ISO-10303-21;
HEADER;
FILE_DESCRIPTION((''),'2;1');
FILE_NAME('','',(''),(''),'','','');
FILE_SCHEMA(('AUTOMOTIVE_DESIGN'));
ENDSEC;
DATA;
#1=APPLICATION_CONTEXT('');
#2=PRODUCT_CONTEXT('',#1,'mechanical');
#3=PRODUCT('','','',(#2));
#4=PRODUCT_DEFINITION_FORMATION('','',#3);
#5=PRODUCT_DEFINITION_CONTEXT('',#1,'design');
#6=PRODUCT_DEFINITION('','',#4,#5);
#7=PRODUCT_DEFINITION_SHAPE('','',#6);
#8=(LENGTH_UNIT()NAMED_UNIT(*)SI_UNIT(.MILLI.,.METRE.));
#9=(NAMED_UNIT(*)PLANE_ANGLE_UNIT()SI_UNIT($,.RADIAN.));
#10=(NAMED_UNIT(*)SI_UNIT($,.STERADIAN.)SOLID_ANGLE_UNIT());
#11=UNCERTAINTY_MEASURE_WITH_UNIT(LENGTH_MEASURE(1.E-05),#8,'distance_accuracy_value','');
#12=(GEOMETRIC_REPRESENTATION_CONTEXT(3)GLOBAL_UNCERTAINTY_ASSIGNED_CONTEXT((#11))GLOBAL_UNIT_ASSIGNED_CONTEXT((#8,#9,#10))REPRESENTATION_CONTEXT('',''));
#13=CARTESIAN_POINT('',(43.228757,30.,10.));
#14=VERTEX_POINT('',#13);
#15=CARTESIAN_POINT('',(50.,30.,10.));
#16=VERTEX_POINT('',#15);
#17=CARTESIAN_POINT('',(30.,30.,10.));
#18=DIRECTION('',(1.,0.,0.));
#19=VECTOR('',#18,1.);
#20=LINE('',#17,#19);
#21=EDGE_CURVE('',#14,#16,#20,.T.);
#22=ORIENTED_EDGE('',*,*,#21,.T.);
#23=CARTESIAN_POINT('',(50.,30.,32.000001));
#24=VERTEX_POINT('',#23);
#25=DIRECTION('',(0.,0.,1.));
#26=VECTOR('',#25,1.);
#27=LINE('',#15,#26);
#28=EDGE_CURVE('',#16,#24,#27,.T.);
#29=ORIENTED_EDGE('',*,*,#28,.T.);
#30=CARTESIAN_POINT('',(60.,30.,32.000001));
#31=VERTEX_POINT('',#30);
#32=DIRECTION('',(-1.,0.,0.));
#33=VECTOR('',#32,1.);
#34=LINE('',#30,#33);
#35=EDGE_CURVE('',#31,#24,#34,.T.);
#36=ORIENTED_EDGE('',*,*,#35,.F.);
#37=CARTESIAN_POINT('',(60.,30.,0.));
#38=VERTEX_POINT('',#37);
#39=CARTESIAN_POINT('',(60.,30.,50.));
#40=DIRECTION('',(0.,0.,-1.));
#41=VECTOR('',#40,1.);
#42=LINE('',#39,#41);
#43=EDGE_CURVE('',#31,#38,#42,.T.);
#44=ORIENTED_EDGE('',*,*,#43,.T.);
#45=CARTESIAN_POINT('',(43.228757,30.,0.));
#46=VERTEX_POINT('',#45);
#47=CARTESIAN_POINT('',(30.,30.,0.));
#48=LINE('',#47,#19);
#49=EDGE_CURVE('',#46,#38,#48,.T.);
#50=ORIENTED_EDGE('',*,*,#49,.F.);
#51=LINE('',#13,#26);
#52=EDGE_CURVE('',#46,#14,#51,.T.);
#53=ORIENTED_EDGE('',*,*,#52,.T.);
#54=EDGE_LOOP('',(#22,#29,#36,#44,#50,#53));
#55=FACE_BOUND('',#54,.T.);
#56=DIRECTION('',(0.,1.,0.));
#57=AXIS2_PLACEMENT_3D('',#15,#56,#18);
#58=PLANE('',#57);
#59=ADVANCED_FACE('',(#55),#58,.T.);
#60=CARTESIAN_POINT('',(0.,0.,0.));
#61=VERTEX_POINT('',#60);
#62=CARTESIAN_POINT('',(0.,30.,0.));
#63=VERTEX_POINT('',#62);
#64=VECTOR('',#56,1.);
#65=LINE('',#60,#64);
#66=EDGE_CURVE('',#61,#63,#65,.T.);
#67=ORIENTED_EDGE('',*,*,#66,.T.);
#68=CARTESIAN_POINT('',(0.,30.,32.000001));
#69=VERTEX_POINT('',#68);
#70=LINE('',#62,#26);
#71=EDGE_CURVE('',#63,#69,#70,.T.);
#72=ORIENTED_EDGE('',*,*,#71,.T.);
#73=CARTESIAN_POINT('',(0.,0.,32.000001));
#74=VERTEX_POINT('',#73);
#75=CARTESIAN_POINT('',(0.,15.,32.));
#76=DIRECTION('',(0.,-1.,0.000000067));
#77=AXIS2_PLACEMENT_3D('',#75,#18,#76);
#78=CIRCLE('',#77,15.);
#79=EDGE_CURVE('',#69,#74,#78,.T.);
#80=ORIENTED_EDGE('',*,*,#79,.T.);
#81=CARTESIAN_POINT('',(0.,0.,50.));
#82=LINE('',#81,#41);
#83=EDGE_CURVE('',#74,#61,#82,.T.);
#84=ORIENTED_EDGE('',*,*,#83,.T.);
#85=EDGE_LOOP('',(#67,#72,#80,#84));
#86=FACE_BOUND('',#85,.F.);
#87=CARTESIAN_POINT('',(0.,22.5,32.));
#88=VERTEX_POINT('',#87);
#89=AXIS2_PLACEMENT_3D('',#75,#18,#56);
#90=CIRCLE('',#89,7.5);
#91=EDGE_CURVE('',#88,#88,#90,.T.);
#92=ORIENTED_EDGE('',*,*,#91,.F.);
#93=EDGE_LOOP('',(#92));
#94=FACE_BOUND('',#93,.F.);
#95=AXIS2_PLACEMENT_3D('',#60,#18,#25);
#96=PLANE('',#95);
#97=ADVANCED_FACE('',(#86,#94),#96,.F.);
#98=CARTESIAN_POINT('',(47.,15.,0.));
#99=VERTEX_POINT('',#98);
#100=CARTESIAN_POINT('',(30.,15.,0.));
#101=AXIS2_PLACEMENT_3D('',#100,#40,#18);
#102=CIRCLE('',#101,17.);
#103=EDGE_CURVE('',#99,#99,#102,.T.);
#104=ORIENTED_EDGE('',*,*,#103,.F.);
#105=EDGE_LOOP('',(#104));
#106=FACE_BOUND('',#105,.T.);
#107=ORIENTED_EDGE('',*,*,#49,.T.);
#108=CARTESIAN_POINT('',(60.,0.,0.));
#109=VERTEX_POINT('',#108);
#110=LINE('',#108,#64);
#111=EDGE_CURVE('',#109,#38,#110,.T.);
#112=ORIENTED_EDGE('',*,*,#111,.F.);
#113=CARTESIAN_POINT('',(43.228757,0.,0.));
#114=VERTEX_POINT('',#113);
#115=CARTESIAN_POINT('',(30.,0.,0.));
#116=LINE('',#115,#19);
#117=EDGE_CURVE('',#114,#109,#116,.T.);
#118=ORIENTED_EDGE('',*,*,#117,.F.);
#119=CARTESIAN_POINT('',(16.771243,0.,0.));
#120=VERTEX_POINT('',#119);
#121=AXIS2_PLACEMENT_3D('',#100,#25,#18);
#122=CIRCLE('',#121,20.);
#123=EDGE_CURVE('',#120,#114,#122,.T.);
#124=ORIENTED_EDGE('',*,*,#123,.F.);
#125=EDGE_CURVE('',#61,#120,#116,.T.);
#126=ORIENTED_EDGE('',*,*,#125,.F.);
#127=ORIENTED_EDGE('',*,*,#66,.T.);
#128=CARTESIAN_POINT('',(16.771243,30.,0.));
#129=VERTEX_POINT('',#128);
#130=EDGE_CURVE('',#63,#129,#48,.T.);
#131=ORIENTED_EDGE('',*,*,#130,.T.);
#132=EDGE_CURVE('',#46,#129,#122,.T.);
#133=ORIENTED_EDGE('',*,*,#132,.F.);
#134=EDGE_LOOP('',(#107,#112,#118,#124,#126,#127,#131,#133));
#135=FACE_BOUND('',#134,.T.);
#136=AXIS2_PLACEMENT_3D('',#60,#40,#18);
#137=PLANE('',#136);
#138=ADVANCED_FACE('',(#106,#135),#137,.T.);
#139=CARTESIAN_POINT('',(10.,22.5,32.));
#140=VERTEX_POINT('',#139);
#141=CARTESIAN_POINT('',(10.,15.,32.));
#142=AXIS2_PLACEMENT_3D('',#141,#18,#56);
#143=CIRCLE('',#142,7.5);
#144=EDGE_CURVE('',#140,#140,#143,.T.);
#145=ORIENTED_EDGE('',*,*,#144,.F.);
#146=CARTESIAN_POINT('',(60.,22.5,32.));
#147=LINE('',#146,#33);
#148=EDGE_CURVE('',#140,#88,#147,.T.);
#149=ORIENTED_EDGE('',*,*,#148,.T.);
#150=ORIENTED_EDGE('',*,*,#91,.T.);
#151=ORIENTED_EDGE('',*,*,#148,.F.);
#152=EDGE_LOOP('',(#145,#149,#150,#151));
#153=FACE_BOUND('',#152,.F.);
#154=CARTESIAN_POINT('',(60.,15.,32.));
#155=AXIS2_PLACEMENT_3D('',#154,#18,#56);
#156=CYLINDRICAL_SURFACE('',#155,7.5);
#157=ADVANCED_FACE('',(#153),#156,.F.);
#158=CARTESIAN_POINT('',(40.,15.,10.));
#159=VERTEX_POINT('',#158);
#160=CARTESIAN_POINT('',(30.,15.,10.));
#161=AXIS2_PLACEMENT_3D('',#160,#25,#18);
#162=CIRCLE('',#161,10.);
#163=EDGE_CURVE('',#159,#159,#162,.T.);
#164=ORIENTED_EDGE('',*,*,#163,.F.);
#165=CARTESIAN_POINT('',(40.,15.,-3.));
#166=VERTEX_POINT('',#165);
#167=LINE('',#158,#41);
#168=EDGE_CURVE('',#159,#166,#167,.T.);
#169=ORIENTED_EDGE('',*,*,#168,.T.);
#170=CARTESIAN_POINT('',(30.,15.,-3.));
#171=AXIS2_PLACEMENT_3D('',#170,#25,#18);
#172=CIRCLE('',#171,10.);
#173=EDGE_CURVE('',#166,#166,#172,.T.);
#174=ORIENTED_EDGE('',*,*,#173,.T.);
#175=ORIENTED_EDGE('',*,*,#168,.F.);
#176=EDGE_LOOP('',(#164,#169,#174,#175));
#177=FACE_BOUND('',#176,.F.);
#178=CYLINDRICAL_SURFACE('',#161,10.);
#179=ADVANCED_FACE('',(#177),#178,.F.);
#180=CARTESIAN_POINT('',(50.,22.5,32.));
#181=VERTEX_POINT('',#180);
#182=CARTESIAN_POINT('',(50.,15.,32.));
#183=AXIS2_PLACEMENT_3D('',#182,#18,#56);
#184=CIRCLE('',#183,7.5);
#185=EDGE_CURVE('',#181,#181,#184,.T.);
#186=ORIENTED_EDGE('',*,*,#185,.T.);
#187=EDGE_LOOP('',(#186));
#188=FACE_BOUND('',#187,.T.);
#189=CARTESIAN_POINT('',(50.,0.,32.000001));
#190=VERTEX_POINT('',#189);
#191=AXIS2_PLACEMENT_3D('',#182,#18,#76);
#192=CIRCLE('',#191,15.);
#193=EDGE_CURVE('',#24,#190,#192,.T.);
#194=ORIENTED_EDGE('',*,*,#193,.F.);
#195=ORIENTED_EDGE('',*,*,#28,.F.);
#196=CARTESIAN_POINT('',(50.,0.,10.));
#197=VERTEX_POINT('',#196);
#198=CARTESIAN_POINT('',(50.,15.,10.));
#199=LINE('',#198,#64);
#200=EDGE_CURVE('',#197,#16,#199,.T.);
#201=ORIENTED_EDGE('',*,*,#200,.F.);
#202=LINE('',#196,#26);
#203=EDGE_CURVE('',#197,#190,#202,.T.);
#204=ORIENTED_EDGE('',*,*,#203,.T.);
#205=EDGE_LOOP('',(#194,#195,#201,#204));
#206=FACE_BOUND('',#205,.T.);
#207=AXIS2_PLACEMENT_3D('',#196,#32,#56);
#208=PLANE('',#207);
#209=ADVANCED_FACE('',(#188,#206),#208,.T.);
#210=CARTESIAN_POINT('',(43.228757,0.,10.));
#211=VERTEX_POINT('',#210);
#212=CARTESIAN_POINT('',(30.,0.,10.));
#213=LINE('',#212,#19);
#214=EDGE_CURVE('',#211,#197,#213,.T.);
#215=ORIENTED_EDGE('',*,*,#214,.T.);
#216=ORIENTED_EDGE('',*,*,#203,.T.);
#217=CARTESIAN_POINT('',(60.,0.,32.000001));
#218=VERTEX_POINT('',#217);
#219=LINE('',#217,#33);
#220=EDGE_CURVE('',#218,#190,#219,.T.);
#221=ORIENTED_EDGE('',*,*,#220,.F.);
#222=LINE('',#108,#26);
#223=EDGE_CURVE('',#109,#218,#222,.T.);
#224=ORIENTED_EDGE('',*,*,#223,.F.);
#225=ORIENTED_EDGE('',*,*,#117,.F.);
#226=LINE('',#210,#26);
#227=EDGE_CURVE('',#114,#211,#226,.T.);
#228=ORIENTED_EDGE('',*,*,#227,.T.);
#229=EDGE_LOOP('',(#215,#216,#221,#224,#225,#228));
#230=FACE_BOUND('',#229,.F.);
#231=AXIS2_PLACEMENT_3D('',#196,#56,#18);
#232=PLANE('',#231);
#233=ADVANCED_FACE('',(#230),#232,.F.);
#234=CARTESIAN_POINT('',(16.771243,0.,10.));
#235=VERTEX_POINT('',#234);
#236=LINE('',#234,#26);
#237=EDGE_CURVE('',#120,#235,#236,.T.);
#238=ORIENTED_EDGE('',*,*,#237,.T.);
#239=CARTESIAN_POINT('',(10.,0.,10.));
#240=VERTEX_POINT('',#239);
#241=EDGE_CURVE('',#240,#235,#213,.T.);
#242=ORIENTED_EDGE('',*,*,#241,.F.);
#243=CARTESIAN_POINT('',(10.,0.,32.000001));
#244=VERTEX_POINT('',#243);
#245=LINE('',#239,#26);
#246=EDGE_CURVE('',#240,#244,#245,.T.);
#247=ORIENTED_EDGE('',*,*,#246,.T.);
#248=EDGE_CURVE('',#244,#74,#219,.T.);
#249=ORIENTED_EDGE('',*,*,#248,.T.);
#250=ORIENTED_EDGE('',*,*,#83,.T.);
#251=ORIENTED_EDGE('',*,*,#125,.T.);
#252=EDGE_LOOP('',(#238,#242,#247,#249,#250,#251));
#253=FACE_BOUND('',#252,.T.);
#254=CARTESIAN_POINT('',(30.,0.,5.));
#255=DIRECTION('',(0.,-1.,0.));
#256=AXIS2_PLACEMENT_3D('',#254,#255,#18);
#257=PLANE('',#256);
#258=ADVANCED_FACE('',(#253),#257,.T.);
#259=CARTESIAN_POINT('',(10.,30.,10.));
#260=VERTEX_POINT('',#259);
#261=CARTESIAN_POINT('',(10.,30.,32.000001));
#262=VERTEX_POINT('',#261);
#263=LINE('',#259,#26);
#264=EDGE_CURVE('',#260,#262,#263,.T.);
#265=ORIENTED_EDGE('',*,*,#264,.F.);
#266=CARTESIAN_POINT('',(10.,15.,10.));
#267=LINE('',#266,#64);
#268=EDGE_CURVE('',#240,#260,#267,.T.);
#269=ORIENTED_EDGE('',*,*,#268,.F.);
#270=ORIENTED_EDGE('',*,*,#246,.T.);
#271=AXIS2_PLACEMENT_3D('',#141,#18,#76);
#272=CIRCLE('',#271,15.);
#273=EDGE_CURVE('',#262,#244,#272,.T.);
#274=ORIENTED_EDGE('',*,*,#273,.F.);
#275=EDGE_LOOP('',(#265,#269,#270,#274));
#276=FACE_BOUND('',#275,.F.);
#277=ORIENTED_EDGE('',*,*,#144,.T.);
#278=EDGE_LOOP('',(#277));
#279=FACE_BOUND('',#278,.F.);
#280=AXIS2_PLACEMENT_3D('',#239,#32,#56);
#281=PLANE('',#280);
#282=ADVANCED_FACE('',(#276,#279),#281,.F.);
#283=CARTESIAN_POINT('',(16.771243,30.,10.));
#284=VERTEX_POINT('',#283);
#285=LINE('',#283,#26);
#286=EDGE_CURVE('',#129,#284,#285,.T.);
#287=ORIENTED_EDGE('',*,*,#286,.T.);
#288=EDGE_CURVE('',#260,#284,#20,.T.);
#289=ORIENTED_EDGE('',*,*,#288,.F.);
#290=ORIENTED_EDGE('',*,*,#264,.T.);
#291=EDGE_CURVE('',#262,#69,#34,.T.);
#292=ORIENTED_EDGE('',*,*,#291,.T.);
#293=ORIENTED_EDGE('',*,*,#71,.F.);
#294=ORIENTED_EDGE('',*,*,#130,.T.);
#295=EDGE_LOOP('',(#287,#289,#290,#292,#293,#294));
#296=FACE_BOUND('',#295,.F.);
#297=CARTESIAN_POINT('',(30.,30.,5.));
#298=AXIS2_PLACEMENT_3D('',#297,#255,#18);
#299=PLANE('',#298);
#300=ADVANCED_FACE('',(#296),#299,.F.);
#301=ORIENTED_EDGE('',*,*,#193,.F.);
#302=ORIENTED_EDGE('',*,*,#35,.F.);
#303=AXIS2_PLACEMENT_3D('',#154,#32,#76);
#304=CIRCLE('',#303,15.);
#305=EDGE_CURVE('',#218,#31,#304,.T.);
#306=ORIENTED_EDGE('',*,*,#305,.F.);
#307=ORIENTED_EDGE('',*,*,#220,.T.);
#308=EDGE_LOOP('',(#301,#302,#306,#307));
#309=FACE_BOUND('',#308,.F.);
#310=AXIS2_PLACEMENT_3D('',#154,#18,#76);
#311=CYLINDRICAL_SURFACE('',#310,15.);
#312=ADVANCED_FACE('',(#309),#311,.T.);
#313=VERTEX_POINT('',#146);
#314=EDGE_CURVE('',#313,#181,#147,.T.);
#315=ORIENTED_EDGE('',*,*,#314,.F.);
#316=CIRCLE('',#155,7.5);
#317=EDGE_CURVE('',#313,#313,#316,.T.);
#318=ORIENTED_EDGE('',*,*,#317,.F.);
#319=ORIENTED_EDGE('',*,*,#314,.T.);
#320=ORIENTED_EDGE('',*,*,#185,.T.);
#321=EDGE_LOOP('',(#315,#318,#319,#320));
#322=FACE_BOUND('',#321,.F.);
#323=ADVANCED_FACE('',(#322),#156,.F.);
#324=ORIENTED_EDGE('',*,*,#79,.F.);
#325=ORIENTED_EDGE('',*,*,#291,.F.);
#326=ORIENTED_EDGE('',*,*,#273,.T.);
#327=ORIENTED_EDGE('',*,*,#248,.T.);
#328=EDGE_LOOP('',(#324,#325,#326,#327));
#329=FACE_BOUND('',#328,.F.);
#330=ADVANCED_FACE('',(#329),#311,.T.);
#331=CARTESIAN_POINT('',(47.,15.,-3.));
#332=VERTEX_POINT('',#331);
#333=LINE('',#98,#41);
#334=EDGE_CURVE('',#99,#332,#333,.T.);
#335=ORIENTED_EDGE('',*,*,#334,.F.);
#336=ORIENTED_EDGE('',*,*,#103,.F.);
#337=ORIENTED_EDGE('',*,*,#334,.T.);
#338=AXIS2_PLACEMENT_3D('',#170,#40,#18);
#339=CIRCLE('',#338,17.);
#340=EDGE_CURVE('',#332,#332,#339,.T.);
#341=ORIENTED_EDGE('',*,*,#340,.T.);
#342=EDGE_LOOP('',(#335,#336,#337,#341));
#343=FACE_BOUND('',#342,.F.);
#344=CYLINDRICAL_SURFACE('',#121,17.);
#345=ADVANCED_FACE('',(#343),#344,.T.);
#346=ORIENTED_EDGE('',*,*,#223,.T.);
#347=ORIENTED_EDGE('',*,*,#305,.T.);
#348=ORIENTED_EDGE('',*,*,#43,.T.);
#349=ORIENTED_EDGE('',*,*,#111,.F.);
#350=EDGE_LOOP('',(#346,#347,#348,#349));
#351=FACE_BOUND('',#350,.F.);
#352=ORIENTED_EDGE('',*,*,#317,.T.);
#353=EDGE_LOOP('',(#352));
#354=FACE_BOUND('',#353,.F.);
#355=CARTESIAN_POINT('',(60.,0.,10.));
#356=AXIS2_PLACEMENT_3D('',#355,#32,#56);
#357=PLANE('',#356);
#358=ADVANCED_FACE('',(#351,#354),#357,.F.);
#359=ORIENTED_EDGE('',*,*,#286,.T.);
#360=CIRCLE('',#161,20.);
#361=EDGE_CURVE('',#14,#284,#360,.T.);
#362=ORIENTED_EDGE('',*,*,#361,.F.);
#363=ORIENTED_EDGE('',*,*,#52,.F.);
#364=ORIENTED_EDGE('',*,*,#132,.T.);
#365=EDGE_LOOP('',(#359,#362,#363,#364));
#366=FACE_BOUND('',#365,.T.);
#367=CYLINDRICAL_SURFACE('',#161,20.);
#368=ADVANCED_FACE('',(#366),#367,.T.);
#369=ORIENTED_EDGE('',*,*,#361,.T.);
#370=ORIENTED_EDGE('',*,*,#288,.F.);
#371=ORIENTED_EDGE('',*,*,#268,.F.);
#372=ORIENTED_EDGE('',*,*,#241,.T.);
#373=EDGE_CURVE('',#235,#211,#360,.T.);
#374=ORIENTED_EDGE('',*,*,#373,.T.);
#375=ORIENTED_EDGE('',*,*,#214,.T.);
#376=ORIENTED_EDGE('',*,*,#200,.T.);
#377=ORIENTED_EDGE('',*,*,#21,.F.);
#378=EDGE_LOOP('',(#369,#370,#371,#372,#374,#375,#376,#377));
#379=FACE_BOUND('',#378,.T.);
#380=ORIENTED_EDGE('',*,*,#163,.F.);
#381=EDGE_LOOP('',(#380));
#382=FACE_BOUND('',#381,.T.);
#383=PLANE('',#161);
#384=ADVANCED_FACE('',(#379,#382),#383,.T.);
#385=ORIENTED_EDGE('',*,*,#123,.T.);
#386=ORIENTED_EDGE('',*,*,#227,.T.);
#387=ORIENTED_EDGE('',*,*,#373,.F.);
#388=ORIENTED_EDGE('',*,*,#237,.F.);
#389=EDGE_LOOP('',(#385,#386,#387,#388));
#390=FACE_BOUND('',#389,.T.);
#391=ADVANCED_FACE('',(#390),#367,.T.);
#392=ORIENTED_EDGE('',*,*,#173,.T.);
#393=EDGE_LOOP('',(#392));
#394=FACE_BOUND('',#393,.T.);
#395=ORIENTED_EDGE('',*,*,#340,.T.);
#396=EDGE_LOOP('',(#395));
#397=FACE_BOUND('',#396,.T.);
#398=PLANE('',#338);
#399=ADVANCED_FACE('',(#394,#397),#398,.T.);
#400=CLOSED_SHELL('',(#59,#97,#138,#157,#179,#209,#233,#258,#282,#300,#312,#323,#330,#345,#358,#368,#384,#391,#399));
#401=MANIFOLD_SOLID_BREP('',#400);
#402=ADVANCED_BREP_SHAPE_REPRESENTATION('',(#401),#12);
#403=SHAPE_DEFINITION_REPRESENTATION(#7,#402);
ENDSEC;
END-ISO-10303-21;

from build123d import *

# Parameters (mm, degrees)
F0_W      = 60
F0_H      = 10
F1_DEPTH  = 30
F2_R      = 20
F3_DEPTH  = 10
F4_R      = 17
F5_DEPTH  = 3
F6_W      = 10
F6_H      = 30
F7_DEPTH  = 40
F8_R      = 7.5
F9_DEPTH  = 60.001
F11_DEPTH = 60.001
F12_R     = 10
F13_DEPTH = 13.001


with BuildPart() as f1:
    # F0 (on Front) → F1 (new body)
    with BuildSketch(Plane.XZ):
        with Locations((30, 5)):
            Rectangle(F0_W, F0_H)
    extrude(amount=-F1_DEPTH)

    # F2 (on face) → F3 (join)
    with BuildSketch(Plane.XY.offset(10)):
        with Locations((30, 15)):
            Circle(F2_R)
    extrude(amount=-F3_DEPTH)

    # F4 (on face) → F5 (join)
    with BuildSketch(Plane(origin=(0, 0, 0), x_dir=(1, 0, 0), z_dir=(0, 0, -1))):
        with Locations((30, -15)):
            Circle(F4_R)
    extrude(amount=F5_DEPTH)

    # F6 (on face) → F7 (join)
    with BuildSketch(Plane.XY.offset(10)):
        with Locations((55, 15)):
            Rectangle(F6_W, F6_H)
        with Locations((5, 15)):
            Rectangle(F6_W, F6_H)
    extrude(amount=F7_DEPTH)

    # F8 (on face) → F9 (cut, through all)
    with BuildSketch(Plane.YZ.offset(60)):
        with Locations((15, 32)):
            Circle(F8_R)
    extrude(amount=-F9_DEPTH, mode=Mode.SUBTRACT)

    # F10 (on face) → F11 (cut, through all)
    with BuildSketch(Plane.YZ.offset(60)):
        with BuildLine():
            ThreePointArc((0, 32.000001), (15, 47), (30, 32.000001))
            Line((30, 32.000001), (30, 50))
            Line((30, 50), (0, 50))
            Line((0, 50), (0, 32.000001))
        make_face()
    extrude(amount=-F11_DEPTH, mode=Mode.SUBTRACT)

    # F12 (on face) → F13 (cut, through all)
    with BuildSketch(Plane.XY.offset(10)):
        with Locations((30, 15)):
            Circle(F12_R)
    extrude(amount=-F13_DEPTH, mode=Mode.SUBTRACT)


solid = f1.part
